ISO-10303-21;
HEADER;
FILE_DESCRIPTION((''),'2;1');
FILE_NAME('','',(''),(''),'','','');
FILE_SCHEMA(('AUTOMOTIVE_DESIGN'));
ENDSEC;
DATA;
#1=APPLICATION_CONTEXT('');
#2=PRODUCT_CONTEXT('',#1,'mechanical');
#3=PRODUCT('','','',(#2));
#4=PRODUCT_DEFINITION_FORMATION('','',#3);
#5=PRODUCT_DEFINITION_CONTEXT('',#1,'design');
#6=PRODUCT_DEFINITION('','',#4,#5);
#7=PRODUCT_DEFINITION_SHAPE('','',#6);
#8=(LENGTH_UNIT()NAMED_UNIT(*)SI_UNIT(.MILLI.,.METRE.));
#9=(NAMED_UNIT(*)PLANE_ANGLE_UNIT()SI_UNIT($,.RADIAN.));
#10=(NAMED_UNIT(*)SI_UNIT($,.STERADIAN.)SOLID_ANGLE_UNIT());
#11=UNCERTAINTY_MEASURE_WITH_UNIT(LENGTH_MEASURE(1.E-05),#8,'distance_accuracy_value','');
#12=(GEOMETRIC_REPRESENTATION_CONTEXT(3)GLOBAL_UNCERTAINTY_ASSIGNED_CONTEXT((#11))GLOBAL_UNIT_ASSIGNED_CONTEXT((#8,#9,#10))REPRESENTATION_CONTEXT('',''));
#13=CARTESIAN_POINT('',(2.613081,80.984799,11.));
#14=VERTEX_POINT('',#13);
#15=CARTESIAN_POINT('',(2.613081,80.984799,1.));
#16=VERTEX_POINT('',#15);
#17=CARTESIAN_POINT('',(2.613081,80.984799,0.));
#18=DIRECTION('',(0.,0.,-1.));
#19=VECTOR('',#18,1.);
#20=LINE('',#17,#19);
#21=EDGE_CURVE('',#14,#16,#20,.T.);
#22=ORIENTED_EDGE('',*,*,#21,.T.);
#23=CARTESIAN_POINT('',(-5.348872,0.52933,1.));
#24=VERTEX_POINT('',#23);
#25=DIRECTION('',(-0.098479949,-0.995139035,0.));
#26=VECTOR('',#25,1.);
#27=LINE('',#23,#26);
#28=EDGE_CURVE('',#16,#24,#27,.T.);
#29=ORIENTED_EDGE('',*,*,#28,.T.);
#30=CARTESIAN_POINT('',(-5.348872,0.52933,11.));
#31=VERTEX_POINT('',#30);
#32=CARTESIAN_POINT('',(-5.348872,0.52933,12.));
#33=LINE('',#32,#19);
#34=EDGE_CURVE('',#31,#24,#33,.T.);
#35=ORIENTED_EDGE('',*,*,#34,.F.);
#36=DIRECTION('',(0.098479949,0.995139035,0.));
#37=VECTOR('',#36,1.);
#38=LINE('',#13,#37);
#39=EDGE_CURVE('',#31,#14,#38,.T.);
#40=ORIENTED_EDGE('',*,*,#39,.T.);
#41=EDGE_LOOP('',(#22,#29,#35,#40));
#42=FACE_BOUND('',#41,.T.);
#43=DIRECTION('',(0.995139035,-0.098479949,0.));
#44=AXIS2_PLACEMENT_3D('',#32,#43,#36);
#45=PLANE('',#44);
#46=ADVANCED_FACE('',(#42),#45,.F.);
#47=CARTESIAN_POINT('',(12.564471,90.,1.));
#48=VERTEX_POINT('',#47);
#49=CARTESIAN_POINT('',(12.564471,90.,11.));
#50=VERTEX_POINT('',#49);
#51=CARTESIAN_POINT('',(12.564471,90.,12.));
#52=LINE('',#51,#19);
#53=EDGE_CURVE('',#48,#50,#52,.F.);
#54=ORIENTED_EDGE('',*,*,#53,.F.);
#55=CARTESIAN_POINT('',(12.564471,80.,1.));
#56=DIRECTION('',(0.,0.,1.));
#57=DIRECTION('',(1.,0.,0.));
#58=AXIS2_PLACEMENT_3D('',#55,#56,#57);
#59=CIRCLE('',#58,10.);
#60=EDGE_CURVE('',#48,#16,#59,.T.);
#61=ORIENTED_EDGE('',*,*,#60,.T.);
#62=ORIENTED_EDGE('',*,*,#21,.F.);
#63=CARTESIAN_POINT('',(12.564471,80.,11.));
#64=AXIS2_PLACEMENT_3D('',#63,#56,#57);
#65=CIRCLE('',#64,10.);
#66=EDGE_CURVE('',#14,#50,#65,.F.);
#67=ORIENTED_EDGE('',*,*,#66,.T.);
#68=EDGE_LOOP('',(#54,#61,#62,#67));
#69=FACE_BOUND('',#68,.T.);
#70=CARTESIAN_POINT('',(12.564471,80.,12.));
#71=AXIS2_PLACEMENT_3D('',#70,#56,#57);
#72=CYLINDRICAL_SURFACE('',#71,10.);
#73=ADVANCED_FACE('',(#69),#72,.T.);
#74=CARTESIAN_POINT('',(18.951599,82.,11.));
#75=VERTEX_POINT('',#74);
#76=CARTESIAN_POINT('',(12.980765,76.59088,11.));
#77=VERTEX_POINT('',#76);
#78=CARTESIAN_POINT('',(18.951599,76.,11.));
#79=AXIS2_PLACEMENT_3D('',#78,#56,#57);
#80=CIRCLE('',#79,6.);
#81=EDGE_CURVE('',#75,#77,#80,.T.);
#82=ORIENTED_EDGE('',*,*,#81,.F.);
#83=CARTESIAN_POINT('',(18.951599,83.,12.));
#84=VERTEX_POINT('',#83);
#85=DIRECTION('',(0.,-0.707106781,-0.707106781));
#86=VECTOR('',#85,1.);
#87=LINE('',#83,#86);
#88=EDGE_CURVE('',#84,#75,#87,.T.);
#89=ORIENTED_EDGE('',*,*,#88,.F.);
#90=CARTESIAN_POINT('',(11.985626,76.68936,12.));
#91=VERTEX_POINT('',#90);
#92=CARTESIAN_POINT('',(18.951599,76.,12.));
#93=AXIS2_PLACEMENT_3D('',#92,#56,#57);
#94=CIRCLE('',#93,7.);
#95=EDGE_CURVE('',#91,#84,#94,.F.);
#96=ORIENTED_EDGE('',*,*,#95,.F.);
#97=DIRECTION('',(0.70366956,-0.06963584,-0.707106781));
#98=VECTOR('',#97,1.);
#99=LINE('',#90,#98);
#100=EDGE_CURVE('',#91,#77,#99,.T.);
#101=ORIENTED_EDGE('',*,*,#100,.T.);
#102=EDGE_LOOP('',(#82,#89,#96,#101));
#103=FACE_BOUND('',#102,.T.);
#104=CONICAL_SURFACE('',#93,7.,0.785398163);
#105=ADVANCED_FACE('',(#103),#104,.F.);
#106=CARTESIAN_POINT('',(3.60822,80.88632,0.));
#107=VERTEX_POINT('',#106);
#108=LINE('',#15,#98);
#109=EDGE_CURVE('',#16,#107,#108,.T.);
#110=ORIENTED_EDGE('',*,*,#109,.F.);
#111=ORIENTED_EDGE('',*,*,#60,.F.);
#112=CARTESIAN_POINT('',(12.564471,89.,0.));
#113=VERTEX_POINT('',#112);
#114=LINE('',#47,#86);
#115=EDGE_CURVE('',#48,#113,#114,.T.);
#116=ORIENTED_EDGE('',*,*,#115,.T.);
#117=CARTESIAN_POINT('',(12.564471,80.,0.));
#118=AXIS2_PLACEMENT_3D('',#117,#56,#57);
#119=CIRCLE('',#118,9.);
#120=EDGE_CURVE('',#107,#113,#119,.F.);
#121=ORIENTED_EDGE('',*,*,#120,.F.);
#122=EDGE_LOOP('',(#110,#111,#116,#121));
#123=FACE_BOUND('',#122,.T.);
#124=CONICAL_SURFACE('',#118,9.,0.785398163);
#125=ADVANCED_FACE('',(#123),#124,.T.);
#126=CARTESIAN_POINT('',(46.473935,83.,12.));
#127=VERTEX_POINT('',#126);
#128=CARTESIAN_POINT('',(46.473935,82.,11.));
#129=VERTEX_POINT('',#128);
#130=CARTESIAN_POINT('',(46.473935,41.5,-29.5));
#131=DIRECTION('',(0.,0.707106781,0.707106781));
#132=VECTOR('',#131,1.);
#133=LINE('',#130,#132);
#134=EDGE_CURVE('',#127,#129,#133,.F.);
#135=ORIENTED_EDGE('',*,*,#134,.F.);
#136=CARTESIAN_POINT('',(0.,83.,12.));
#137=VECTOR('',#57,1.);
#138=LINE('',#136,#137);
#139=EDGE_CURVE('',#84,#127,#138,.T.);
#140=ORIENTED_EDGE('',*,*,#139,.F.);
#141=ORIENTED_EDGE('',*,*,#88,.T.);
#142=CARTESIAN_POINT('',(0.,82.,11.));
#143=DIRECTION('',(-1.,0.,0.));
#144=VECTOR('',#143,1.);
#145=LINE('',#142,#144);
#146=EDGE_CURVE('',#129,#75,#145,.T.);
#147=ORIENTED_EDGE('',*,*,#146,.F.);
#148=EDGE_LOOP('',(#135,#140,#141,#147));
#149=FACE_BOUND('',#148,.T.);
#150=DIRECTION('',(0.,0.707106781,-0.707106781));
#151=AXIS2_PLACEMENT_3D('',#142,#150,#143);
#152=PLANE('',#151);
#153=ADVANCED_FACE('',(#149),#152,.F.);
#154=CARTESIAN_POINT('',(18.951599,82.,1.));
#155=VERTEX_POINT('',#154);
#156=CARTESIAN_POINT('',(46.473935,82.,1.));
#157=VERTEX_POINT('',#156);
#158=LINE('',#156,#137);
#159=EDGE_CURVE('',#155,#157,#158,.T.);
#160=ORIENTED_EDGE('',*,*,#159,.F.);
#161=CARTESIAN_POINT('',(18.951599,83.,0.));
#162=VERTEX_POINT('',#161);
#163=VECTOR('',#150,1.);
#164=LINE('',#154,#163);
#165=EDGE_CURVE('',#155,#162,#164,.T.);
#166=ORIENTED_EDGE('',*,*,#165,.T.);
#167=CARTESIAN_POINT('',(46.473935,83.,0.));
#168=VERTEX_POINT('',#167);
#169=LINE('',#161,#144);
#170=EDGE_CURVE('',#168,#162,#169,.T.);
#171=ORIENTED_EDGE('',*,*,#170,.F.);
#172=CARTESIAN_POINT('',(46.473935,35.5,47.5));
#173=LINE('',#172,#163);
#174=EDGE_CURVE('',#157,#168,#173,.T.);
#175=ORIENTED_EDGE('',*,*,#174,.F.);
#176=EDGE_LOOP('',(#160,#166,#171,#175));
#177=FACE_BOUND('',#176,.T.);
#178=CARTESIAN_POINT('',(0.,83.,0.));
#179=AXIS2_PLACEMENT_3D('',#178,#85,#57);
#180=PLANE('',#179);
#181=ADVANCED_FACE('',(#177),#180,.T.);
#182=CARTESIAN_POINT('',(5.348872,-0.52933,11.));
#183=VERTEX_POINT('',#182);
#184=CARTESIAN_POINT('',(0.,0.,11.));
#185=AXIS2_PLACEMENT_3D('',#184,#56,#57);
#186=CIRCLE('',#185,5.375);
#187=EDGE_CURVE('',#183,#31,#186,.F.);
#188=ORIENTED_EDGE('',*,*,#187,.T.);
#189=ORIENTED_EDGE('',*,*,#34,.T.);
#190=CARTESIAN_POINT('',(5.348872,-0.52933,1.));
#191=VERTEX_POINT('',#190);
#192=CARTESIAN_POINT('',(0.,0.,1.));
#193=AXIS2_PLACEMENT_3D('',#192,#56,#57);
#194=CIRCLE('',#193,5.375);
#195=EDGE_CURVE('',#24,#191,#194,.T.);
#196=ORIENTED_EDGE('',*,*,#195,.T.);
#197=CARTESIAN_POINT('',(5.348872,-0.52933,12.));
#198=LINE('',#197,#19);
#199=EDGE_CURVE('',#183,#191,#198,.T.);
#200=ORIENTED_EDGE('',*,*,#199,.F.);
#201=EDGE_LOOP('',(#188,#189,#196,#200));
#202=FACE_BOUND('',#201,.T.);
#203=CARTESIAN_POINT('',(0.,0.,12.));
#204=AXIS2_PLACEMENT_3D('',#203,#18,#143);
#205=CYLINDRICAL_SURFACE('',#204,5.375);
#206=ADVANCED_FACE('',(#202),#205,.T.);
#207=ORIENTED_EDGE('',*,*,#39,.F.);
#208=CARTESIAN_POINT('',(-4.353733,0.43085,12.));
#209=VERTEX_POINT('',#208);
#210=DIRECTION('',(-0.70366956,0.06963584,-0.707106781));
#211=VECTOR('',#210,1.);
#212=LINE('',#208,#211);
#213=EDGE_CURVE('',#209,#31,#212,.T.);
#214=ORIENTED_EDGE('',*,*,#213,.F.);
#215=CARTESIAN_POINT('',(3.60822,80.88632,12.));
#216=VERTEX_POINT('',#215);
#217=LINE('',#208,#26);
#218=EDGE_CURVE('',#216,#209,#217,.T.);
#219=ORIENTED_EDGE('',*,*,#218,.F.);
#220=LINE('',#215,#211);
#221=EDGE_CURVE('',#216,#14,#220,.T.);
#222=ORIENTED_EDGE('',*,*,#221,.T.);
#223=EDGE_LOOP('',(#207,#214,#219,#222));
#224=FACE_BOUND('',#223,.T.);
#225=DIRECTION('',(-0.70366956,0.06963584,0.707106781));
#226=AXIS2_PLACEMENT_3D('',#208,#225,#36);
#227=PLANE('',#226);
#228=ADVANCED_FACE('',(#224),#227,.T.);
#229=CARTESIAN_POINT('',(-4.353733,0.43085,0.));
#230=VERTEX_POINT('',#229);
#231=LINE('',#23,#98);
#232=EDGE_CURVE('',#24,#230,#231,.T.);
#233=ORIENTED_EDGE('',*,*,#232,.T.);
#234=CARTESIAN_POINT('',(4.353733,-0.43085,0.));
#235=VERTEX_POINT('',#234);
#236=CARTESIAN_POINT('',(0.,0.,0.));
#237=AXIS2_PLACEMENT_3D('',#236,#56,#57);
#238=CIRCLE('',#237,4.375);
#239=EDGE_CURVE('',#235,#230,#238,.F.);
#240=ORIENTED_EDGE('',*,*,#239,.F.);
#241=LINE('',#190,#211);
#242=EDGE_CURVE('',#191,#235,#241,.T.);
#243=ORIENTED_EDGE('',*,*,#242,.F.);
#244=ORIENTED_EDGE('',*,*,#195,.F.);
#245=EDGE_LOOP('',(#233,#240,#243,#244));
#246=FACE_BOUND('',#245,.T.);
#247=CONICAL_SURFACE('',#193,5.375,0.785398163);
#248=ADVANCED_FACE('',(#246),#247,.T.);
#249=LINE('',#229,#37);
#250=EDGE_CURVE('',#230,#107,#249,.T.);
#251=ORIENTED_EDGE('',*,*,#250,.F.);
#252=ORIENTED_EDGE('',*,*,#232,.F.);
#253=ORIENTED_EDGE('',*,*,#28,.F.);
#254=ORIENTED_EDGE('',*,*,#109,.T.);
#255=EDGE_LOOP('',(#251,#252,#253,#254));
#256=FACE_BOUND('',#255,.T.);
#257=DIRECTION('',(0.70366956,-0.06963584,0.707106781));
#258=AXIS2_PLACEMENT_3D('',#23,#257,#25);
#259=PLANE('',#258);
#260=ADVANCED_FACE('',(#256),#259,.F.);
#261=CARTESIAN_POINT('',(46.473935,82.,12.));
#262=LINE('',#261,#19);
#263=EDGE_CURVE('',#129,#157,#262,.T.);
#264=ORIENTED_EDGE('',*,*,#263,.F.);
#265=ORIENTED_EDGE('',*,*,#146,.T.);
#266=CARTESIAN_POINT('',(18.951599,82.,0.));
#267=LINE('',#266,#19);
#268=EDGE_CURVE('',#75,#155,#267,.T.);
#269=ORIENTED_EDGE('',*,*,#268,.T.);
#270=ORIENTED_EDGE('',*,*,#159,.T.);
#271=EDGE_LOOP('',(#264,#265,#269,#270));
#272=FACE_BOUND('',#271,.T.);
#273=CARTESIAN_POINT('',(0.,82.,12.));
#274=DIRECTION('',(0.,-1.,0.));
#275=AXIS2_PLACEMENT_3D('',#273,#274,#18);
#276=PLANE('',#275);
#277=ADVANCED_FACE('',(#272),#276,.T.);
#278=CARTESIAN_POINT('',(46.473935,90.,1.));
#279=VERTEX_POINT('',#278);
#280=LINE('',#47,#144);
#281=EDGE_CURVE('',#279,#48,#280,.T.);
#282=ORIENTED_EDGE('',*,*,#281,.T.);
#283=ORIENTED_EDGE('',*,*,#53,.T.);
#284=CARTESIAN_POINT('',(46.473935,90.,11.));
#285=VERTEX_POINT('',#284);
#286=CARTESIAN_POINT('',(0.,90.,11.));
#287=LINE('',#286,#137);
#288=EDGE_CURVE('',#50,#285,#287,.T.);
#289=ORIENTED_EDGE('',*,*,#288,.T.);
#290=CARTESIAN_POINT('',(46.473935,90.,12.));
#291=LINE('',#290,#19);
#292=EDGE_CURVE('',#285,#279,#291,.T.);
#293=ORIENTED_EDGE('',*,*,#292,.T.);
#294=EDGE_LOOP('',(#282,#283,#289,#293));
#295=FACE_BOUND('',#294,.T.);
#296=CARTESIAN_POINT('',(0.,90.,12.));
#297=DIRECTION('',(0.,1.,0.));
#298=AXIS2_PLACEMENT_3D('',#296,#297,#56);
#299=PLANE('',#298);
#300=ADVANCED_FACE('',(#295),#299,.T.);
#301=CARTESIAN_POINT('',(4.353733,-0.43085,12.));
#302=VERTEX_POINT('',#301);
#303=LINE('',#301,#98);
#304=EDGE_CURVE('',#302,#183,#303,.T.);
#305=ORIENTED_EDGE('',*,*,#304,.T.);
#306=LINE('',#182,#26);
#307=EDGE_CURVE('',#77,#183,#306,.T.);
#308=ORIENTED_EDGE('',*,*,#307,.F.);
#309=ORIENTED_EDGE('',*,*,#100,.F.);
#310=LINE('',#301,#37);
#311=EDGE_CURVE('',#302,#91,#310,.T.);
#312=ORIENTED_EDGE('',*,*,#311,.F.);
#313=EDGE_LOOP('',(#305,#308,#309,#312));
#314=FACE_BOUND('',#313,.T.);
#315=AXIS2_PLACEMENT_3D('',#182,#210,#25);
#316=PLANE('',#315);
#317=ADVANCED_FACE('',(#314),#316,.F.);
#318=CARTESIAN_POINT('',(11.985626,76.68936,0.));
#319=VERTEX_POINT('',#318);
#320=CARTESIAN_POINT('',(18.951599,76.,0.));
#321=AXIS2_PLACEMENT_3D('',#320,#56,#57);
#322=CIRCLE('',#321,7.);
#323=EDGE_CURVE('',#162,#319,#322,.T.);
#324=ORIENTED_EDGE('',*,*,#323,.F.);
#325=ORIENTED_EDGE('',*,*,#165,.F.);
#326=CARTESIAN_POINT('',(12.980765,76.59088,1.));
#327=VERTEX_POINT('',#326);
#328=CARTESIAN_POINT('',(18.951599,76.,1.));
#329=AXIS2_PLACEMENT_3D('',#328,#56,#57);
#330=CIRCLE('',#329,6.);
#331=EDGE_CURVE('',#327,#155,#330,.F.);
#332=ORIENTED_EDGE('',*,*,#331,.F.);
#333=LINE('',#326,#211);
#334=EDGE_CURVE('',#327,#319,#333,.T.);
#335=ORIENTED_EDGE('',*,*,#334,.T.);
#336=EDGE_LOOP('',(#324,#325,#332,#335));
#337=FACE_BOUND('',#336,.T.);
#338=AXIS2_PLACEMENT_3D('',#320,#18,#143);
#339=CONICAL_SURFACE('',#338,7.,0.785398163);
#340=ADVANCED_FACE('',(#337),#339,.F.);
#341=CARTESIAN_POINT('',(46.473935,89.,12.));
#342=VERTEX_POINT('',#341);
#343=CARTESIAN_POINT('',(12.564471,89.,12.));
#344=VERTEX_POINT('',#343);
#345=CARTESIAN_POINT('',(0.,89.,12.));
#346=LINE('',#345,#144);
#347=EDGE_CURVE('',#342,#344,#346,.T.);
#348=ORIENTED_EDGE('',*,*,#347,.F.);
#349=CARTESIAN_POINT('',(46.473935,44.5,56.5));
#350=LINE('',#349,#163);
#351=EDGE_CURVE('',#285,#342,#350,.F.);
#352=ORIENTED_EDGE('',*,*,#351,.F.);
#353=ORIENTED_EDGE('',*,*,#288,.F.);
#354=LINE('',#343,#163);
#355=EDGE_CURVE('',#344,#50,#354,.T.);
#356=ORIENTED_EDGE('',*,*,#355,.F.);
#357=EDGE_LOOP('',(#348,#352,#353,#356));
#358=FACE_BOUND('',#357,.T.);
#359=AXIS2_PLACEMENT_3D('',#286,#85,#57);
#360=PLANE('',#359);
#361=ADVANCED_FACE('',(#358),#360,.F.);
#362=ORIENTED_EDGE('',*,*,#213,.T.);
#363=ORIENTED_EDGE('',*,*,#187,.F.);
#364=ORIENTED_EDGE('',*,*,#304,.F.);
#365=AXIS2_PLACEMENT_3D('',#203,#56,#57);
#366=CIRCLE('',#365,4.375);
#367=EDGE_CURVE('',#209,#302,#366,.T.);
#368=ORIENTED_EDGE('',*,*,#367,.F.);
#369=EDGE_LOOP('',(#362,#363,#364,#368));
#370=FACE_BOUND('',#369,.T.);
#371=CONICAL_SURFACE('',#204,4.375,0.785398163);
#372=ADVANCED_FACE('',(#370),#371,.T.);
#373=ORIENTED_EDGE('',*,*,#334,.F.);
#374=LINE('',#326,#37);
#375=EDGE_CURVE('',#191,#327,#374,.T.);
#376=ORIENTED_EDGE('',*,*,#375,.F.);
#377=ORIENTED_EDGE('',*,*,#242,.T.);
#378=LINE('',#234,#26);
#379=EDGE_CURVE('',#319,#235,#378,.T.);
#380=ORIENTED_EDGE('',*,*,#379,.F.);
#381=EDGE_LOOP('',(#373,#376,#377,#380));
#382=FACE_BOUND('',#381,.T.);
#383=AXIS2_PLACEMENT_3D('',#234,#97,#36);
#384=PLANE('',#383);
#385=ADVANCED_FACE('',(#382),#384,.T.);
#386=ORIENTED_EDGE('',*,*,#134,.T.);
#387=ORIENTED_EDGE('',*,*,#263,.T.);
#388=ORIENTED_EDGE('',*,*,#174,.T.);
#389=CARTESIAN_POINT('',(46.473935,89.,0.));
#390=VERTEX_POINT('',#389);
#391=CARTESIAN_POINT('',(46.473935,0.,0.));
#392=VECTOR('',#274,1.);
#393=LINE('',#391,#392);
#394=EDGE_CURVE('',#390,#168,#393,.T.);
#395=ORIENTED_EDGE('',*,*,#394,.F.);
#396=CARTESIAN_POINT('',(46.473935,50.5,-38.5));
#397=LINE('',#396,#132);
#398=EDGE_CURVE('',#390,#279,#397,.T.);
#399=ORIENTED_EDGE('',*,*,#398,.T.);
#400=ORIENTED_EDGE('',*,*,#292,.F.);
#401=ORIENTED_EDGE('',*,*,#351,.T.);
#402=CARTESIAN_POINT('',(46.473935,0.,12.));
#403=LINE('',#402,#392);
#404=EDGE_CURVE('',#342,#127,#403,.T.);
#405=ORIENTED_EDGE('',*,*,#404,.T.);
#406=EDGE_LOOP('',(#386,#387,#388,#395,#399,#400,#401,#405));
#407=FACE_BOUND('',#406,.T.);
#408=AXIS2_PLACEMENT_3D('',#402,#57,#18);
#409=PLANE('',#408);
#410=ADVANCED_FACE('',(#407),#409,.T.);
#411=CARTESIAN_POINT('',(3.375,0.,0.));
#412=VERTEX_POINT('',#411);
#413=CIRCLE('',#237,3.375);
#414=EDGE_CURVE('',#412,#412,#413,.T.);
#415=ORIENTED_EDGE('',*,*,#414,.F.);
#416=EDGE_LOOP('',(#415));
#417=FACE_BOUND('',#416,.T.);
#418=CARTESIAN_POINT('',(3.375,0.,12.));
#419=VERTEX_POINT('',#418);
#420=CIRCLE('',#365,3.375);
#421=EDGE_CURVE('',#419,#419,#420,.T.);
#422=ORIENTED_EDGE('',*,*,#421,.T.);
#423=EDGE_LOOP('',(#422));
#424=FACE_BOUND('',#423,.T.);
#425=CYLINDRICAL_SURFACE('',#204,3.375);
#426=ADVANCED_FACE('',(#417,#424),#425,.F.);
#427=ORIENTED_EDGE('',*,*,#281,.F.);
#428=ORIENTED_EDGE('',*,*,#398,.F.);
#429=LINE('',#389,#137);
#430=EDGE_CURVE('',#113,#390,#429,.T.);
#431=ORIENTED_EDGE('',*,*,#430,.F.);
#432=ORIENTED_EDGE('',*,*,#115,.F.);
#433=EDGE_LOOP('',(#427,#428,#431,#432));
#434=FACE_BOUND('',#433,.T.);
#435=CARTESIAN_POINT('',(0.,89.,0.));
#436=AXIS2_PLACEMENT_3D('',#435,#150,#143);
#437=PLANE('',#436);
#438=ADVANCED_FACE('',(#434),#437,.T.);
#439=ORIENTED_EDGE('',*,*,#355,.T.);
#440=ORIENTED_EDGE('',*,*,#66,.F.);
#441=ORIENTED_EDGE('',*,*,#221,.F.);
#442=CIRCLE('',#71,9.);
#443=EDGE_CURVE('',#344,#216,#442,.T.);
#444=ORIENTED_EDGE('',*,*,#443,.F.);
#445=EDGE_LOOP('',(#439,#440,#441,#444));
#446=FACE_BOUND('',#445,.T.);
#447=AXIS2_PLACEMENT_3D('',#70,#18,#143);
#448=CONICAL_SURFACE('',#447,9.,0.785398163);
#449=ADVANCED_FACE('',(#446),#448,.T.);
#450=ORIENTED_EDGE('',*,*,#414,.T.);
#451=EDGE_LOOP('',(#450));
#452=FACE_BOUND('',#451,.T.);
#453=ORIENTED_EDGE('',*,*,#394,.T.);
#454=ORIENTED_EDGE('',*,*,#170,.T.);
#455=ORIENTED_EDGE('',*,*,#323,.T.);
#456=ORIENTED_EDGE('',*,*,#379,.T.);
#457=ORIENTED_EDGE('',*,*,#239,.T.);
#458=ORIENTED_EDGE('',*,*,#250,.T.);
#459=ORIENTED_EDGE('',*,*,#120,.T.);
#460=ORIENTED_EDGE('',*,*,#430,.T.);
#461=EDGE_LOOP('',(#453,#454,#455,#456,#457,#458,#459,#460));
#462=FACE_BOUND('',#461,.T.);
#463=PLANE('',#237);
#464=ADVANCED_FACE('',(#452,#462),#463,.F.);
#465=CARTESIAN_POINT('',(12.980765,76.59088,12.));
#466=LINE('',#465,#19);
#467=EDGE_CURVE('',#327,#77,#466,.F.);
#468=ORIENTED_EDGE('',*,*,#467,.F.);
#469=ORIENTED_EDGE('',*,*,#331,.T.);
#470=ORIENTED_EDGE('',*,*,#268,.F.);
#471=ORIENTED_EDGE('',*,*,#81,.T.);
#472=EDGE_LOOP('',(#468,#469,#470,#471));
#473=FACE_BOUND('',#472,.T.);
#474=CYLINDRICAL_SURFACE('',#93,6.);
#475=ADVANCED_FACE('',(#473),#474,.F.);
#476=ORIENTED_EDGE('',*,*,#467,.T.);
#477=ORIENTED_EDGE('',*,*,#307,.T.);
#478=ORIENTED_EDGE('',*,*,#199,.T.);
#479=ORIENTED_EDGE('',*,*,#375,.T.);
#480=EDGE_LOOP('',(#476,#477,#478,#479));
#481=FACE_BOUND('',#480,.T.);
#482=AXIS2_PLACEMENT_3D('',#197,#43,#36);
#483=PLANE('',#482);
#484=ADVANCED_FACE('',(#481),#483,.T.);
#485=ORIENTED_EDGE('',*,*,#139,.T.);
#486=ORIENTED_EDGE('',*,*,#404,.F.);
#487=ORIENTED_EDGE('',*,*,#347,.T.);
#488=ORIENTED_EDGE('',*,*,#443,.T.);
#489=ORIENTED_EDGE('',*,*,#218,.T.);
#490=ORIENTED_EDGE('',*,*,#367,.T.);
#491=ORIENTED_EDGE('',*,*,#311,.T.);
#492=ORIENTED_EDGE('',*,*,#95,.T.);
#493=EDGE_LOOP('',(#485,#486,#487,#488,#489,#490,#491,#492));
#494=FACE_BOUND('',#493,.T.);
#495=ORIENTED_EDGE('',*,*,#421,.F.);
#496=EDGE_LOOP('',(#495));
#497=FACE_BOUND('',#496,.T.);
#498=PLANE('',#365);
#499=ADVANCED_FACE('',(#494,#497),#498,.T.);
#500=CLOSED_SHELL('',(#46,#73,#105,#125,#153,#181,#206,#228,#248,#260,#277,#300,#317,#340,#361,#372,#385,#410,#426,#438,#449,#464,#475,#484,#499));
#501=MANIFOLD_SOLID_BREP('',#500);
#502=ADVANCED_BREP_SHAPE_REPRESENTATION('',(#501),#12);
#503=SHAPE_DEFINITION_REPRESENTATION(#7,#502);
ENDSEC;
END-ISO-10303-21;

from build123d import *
from OCP.BRepFilletAPI import BRepFilletAPI_MakeFillet

# Parameters (mm, degrees)
SKETCH1_R           = 3.375
BOSS_EXTRUDE1_DEPTH = 12
FILLET1_R1          = 10
FILLET1_R2          = 6
CHAMFER1_SIZE       = 1


with BuildPart() as part:
    # Sketch1 → Boss-Extrude1 (new body)
    with BuildSketch(Plane.XY):
        with BuildLine():
            Line((3.505234224, 90), (-5.348872315, 0.529329726))
            ThreePointArc((-5.348872315, 0.529329726), (-0.529329726, -5.348872315), (5.348872315, -0.529329726))
            Line((5.348872315, -0.529329726), (13.516056888, 82))
            Line((13.516056888, 82), (46.473934517, 82))
            Line((46.473934517, 82), (46.473934517, 90))
            Line((46.473934517, 90), (3.505234224, 90))
        make_face()
        Circle(SKETCH1_R, mode=Mode.SUBTRACT)
    extrude(amount=BOSS_EXTRUDE1_DEPTH)

    # Fillet1: one fillet with a radius per group of edges: ONE call of the kernel's fillet builder (fillet() takes one radius for all edges)
    fillet1_edges_1 = [part.edges().sort_by_distance(p)[0] for p in [
        (3.505234224, 90, 6),
    ]]
    fillet1_edges_2 = [part.edges().sort_by_distance(p)[0] for p in [
        (13.516056888, 82, 6),
    ]]
    fillet1 = BRepFilletAPI_MakeFillet(part.part.solid().wrapped)
    for e in fillet1_edges_1:
        fillet1.Add(FILLET1_R1, e.wrapped)
    for e in fillet1_edges_2:
        fillet1.Add(FILLET1_R2, e.wrapped)
    add(Compound.cast(fillet1.Shape()), mode=Mode.REPLACE)

    # Chamfer1
    chamfer1_edges = [part.edges().sort_by_distance(p)[0] for p in [
        (32.712766845, 82, 0),
        (14.92327931, 80.446643575, 0),
        (9.164818638, 38.030774984, 0),
        (-0.529329726, -5.348872315, 0),
        (-1.367895651, 40.757064607, 0),
        (5.850604928, 87.411072625, 0),
        (29.519202941, 90, 0),
        (32.712766845, 82, 12),
        (14.92327931, 80.446643575, 12),
        (9.164818638, 38.030774984, 12),
        (-0.529329726, -5.348872315, 12),
        (-1.367895651, 40.757064607, 12),
        (5.850604928, 87.411072625, 12),
        (29.519202941, 90, 12),
    ]]
    chamfer(chamfer1_edges, length=CHAMFER1_SIZE)


solid = part.part
